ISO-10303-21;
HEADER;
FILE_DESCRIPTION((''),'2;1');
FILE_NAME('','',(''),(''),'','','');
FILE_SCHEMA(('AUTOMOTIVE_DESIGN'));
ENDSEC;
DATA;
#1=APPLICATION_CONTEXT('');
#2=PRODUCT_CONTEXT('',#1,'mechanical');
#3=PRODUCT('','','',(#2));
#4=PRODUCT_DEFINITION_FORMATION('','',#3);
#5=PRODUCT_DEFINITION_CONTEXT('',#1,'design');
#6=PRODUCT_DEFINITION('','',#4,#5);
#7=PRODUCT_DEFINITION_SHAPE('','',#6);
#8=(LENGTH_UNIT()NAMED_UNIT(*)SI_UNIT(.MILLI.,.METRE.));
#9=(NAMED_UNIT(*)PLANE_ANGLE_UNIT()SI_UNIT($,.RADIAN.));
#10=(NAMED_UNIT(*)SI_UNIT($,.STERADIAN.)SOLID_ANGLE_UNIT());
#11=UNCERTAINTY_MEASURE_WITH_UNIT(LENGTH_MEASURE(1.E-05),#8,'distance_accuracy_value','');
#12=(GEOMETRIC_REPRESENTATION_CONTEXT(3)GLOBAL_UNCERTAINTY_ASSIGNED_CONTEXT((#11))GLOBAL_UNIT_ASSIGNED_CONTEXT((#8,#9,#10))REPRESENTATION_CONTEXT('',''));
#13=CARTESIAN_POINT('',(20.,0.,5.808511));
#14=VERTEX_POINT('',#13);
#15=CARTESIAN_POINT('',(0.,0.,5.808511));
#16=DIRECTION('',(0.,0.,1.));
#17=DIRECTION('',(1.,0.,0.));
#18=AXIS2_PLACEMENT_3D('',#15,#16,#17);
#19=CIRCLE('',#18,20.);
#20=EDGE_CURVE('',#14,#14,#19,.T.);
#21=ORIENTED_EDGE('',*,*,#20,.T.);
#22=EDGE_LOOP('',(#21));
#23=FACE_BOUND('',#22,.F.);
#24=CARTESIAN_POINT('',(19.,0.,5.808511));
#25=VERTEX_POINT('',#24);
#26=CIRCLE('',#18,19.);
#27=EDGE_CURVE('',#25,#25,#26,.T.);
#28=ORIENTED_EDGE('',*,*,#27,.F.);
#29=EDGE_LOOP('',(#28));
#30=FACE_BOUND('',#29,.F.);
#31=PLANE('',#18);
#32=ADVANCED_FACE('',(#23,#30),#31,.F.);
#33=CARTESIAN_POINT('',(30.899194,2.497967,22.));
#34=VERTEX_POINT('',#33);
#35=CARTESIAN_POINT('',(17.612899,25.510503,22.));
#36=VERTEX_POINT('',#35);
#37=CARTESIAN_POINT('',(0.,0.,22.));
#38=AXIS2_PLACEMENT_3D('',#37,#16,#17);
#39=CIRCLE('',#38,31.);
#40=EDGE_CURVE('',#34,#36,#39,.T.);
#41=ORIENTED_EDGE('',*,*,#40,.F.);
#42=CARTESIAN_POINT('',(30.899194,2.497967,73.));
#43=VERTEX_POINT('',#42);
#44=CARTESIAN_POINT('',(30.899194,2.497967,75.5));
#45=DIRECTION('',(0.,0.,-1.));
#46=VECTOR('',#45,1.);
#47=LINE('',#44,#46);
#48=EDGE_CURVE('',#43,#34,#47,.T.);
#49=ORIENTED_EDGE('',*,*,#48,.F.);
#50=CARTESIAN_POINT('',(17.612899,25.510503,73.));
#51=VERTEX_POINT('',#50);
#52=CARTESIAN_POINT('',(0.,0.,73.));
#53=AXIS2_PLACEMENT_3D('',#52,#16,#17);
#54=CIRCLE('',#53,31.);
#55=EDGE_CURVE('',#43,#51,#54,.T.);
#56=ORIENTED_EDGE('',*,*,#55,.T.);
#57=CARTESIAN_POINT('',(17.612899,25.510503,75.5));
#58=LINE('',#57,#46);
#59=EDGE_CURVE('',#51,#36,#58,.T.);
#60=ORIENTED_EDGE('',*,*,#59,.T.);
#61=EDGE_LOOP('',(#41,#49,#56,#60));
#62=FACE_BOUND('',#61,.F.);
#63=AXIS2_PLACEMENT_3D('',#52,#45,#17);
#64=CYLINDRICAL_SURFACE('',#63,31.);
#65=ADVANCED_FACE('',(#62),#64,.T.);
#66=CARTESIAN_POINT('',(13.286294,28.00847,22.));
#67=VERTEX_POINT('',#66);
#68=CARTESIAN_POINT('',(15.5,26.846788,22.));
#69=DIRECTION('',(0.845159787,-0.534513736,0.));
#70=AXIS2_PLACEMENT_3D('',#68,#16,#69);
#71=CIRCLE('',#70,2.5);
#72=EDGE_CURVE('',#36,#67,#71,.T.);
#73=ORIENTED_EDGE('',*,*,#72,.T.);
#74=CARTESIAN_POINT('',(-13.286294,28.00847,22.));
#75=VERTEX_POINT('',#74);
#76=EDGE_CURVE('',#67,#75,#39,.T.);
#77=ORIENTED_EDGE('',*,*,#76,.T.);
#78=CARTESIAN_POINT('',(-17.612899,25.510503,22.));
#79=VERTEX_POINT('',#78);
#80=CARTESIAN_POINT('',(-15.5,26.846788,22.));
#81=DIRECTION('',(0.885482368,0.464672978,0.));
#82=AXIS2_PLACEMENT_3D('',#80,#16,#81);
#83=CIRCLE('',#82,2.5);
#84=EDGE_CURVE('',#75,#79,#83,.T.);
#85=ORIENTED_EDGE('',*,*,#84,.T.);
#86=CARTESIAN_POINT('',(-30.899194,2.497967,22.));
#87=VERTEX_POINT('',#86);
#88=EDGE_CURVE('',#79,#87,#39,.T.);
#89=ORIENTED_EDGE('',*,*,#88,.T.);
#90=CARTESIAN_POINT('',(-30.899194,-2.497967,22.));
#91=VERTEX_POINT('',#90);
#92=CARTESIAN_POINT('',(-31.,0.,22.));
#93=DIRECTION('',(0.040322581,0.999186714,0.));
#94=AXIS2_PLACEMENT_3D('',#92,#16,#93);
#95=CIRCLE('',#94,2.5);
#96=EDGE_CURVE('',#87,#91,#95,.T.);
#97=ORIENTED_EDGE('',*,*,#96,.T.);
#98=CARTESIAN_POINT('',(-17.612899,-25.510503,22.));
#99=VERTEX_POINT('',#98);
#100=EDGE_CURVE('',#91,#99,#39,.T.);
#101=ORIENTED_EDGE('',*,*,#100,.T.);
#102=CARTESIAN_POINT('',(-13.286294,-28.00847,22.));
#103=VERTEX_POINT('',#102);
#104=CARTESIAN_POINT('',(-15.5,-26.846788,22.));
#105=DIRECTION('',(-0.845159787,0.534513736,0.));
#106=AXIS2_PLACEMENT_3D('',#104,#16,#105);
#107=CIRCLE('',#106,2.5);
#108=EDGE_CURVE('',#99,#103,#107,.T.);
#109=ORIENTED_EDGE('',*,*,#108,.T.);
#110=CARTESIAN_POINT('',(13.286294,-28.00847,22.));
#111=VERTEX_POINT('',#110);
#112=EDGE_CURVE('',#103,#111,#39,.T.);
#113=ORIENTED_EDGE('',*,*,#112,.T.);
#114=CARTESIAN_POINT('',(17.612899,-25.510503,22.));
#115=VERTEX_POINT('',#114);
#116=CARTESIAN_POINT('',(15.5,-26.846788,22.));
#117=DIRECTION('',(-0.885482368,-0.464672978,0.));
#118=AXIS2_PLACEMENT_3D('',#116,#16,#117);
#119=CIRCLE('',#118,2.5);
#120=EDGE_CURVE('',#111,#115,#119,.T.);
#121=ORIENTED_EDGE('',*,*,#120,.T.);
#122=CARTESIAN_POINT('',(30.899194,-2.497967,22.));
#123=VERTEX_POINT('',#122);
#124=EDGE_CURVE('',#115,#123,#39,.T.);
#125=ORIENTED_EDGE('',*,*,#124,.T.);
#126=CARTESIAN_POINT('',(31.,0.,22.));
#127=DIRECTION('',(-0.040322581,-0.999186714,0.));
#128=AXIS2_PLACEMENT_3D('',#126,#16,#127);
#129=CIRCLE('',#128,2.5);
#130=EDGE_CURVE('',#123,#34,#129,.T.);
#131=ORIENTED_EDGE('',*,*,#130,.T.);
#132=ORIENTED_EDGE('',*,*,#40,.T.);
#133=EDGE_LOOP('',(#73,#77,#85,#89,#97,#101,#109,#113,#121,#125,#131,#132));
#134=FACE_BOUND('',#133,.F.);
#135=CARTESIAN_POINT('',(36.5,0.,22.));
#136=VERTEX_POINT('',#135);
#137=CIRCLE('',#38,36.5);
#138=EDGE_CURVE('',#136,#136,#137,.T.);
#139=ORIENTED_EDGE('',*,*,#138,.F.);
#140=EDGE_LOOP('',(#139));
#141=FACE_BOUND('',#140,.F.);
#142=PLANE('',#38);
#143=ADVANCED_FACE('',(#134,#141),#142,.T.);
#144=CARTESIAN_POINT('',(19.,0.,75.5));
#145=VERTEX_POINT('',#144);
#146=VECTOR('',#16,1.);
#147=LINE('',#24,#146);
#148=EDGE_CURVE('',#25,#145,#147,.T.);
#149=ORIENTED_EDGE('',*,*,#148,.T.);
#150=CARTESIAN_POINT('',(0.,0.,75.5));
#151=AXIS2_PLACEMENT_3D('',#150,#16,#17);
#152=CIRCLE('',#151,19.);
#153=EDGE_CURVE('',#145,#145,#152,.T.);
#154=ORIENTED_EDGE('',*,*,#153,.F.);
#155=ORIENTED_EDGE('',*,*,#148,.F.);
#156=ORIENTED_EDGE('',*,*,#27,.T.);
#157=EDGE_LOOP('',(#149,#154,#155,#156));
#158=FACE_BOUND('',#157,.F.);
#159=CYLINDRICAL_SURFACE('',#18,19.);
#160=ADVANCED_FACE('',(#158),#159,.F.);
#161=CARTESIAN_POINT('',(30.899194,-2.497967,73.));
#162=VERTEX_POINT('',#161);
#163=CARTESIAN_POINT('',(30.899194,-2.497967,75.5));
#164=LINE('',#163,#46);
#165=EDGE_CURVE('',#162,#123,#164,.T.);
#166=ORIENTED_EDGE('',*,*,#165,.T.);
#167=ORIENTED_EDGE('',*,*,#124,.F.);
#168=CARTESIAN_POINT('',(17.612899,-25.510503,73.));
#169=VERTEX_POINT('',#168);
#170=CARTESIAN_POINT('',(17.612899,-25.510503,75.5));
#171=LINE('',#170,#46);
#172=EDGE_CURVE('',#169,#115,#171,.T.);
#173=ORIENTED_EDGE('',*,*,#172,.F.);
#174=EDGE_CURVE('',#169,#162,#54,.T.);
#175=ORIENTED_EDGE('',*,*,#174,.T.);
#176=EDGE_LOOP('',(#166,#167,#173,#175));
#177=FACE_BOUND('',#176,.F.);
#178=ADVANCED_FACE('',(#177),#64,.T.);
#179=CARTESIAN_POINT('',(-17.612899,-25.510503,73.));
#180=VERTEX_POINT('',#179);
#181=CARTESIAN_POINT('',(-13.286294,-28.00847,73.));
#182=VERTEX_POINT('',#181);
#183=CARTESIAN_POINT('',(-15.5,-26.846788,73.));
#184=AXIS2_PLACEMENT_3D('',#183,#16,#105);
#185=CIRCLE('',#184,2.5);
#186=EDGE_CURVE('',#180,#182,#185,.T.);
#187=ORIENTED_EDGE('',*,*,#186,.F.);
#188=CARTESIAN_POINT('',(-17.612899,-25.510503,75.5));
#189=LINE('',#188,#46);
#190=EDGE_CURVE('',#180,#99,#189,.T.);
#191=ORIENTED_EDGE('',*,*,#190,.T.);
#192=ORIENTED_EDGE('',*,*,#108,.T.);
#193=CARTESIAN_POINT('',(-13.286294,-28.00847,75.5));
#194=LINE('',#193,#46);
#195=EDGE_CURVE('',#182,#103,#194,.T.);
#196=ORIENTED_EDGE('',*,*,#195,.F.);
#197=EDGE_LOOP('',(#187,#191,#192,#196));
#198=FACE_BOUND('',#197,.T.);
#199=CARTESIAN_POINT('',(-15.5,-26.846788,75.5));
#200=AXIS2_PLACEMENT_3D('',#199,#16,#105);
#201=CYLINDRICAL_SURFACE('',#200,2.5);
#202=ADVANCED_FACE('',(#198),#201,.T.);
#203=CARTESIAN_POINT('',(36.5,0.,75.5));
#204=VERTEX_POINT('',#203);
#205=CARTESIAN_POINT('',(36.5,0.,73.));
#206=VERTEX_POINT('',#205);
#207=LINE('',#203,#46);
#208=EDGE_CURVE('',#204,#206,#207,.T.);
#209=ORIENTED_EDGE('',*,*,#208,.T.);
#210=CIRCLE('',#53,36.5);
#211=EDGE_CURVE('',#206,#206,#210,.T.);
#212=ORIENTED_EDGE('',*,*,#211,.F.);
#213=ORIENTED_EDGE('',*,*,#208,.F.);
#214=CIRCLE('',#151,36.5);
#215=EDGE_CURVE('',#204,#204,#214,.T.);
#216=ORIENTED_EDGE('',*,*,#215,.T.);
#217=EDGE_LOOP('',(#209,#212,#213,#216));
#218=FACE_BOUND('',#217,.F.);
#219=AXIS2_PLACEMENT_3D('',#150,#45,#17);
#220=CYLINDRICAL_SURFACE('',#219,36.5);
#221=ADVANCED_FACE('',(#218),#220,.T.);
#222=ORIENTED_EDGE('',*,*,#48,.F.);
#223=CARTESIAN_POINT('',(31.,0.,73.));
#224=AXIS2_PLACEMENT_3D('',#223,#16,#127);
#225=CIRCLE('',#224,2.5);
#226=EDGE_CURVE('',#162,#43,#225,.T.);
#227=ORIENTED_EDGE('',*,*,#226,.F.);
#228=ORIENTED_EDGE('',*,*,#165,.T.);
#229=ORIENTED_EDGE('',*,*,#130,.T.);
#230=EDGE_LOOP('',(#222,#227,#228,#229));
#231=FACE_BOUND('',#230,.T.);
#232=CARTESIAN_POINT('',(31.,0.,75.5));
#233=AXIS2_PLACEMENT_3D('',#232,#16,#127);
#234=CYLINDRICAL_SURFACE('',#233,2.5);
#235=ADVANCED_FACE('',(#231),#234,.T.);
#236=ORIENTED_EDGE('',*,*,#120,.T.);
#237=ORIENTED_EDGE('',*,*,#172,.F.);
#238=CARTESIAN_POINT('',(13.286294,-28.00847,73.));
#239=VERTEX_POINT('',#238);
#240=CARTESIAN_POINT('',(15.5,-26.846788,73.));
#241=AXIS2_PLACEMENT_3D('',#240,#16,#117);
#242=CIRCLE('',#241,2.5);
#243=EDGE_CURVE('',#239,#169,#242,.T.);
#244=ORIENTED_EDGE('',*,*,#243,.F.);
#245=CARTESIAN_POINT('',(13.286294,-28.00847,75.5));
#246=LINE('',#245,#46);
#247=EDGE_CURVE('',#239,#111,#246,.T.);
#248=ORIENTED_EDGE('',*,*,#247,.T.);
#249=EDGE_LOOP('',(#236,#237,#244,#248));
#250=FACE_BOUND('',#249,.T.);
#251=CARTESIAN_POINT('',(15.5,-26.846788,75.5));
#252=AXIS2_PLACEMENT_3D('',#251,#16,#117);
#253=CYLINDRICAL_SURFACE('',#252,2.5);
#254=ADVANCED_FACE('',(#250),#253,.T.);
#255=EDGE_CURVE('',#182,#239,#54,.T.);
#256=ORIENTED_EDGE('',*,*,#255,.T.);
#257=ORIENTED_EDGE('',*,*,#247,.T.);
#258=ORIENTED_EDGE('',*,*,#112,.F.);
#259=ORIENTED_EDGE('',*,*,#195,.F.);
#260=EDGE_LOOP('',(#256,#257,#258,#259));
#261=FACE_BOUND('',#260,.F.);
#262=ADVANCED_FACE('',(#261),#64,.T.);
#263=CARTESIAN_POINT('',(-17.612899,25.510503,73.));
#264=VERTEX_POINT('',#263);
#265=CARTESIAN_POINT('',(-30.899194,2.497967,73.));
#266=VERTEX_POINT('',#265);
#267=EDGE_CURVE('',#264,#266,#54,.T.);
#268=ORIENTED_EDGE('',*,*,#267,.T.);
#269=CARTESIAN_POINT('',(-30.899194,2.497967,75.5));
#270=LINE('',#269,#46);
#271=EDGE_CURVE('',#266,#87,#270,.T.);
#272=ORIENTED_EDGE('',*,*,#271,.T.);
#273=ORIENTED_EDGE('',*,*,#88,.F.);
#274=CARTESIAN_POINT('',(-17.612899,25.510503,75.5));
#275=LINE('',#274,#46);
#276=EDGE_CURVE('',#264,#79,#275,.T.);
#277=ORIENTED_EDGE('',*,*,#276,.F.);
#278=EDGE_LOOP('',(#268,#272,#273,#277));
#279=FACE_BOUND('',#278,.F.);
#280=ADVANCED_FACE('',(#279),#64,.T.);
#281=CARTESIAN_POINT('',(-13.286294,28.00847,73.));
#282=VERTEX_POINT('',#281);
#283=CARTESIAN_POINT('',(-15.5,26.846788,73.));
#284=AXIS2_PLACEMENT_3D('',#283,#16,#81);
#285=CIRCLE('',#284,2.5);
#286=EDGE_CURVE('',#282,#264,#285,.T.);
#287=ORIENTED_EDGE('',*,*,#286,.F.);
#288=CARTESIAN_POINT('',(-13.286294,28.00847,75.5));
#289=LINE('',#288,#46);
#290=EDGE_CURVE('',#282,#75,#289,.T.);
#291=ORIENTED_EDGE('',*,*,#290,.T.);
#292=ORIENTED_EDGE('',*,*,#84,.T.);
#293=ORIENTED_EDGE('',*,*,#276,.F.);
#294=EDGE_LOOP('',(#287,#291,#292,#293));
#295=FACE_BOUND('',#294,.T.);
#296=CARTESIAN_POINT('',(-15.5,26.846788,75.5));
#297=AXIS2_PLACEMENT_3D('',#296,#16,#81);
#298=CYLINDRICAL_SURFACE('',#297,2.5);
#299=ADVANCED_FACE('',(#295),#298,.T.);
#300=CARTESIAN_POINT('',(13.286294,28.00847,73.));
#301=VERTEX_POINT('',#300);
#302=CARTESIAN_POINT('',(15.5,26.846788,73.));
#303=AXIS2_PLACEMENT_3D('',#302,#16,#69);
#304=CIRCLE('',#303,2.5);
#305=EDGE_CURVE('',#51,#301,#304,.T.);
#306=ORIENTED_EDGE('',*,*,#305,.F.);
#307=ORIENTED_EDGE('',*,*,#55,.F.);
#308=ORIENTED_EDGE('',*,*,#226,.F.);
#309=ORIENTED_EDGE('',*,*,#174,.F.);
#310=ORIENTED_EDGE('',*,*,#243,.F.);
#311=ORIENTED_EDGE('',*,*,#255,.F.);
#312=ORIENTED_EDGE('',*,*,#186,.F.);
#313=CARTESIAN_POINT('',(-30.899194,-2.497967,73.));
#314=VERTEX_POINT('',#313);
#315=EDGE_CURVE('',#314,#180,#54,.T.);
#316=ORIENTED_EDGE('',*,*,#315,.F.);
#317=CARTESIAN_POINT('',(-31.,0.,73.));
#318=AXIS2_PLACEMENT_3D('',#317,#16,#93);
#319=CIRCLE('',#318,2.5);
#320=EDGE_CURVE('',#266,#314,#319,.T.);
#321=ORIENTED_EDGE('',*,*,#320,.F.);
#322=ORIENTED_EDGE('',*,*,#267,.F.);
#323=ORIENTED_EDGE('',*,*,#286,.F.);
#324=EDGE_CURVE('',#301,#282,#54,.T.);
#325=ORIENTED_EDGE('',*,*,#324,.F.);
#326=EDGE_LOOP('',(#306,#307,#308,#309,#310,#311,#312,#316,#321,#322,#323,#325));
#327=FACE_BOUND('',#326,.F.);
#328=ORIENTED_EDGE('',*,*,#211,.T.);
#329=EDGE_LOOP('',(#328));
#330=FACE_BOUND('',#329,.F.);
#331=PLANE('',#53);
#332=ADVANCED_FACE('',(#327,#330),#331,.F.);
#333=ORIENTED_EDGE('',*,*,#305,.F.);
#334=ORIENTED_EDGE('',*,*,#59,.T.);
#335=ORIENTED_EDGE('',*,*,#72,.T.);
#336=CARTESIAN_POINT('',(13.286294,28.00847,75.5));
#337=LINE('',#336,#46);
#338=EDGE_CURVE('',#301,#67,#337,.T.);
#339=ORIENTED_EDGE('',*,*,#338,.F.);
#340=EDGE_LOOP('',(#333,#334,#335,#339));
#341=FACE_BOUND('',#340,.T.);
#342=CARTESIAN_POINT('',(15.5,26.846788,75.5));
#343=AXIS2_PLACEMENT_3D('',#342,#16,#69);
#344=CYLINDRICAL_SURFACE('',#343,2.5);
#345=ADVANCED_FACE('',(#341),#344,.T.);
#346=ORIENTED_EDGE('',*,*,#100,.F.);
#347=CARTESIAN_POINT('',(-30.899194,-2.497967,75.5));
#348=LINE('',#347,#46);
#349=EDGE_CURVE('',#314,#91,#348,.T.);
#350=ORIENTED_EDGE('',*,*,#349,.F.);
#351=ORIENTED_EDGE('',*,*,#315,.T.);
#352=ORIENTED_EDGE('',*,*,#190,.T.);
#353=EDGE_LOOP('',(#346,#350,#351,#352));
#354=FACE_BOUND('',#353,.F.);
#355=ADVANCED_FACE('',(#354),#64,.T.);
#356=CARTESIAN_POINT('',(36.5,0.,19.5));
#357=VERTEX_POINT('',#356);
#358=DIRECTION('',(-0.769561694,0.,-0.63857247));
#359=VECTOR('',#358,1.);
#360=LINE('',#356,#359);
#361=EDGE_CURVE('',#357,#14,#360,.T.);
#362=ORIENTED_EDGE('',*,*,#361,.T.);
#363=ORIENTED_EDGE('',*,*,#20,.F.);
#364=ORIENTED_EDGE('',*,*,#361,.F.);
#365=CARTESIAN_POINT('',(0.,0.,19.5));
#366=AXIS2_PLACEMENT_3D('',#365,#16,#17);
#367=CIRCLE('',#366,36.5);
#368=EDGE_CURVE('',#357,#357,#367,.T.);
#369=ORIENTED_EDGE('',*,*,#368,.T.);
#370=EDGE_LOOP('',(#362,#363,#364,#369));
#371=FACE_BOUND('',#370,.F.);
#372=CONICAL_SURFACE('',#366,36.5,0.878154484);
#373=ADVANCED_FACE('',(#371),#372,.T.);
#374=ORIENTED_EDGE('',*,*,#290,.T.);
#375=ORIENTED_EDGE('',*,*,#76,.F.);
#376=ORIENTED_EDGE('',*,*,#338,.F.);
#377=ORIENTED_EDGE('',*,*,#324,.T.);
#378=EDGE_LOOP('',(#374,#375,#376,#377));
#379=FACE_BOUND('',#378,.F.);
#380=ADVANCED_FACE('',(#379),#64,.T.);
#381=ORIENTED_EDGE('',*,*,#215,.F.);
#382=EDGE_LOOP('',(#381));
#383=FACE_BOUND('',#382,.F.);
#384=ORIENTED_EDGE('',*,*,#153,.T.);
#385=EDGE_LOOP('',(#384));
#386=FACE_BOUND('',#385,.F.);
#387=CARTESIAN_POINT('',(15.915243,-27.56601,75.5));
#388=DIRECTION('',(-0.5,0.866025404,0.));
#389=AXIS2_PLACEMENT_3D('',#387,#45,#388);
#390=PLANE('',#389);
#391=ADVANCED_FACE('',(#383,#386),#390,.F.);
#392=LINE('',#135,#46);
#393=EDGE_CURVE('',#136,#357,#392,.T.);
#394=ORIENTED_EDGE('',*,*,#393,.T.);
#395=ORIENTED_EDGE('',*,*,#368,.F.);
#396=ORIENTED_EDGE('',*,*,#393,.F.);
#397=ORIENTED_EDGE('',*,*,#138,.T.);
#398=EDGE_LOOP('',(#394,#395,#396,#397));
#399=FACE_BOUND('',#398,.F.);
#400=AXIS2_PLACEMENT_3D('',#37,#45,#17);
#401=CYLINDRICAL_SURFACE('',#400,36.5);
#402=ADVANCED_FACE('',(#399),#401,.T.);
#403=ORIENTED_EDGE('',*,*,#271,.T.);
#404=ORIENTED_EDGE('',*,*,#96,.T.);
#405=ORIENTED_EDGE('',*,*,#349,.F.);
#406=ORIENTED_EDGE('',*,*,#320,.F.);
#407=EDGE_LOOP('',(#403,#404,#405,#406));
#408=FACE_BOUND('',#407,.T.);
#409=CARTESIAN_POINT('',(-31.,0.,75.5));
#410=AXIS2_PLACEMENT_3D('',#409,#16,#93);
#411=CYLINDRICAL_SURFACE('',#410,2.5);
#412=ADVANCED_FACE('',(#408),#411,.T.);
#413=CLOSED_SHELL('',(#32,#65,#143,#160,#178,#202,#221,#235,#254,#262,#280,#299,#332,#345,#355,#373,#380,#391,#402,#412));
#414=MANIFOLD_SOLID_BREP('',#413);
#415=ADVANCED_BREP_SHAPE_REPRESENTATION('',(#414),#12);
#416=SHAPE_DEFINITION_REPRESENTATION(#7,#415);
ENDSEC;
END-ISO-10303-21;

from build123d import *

# Parameters (mm, degrees)
PAD_DEPTH          = 56
POLARPATTERN_COUNT = 6


with BuildPart() as part:
    # Sketch → Revolution002 (revolve)
    with BuildSketch(Plane.XZ):
        Polygon((19, 5.8085106383), (19, 75.5), (36.5, 75.5), (36.5, 73), (31, 73), (31, 22), (36.5, 22), (36.5, 19.5), (20, 5.8085106383), align=None)
    revolve(axis=Axis((0, 0, 0), (0, 0, 1)))

    # Sketch004 → Pad (new body)
    with BuildSketch(Plane.XY.offset(75.5)):
        with BuildLine():
            ThreePointArc((30.8991935484, -2.4979667851), (31, 0), (30.8991935484, 2.4979667851))
            ThreePointArc((30.8991935484, -2.4979667851), (33.5, 0), (30.8991935484, 2.4979667851))
        make_face()
    pad = extrude(amount=-PAD_DEPTH)

    # PolarPattern: Pad ×6 about axis
    polarpattern_axis = Axis((0, 0, 75.5), (0, 0, 1))
    for i in range(1, POLARPATTERN_COUNT):
        add(pad.rotate(polarpattern_axis, i * 360 / POLARPATTERN_COUNT))


solid = part.part
